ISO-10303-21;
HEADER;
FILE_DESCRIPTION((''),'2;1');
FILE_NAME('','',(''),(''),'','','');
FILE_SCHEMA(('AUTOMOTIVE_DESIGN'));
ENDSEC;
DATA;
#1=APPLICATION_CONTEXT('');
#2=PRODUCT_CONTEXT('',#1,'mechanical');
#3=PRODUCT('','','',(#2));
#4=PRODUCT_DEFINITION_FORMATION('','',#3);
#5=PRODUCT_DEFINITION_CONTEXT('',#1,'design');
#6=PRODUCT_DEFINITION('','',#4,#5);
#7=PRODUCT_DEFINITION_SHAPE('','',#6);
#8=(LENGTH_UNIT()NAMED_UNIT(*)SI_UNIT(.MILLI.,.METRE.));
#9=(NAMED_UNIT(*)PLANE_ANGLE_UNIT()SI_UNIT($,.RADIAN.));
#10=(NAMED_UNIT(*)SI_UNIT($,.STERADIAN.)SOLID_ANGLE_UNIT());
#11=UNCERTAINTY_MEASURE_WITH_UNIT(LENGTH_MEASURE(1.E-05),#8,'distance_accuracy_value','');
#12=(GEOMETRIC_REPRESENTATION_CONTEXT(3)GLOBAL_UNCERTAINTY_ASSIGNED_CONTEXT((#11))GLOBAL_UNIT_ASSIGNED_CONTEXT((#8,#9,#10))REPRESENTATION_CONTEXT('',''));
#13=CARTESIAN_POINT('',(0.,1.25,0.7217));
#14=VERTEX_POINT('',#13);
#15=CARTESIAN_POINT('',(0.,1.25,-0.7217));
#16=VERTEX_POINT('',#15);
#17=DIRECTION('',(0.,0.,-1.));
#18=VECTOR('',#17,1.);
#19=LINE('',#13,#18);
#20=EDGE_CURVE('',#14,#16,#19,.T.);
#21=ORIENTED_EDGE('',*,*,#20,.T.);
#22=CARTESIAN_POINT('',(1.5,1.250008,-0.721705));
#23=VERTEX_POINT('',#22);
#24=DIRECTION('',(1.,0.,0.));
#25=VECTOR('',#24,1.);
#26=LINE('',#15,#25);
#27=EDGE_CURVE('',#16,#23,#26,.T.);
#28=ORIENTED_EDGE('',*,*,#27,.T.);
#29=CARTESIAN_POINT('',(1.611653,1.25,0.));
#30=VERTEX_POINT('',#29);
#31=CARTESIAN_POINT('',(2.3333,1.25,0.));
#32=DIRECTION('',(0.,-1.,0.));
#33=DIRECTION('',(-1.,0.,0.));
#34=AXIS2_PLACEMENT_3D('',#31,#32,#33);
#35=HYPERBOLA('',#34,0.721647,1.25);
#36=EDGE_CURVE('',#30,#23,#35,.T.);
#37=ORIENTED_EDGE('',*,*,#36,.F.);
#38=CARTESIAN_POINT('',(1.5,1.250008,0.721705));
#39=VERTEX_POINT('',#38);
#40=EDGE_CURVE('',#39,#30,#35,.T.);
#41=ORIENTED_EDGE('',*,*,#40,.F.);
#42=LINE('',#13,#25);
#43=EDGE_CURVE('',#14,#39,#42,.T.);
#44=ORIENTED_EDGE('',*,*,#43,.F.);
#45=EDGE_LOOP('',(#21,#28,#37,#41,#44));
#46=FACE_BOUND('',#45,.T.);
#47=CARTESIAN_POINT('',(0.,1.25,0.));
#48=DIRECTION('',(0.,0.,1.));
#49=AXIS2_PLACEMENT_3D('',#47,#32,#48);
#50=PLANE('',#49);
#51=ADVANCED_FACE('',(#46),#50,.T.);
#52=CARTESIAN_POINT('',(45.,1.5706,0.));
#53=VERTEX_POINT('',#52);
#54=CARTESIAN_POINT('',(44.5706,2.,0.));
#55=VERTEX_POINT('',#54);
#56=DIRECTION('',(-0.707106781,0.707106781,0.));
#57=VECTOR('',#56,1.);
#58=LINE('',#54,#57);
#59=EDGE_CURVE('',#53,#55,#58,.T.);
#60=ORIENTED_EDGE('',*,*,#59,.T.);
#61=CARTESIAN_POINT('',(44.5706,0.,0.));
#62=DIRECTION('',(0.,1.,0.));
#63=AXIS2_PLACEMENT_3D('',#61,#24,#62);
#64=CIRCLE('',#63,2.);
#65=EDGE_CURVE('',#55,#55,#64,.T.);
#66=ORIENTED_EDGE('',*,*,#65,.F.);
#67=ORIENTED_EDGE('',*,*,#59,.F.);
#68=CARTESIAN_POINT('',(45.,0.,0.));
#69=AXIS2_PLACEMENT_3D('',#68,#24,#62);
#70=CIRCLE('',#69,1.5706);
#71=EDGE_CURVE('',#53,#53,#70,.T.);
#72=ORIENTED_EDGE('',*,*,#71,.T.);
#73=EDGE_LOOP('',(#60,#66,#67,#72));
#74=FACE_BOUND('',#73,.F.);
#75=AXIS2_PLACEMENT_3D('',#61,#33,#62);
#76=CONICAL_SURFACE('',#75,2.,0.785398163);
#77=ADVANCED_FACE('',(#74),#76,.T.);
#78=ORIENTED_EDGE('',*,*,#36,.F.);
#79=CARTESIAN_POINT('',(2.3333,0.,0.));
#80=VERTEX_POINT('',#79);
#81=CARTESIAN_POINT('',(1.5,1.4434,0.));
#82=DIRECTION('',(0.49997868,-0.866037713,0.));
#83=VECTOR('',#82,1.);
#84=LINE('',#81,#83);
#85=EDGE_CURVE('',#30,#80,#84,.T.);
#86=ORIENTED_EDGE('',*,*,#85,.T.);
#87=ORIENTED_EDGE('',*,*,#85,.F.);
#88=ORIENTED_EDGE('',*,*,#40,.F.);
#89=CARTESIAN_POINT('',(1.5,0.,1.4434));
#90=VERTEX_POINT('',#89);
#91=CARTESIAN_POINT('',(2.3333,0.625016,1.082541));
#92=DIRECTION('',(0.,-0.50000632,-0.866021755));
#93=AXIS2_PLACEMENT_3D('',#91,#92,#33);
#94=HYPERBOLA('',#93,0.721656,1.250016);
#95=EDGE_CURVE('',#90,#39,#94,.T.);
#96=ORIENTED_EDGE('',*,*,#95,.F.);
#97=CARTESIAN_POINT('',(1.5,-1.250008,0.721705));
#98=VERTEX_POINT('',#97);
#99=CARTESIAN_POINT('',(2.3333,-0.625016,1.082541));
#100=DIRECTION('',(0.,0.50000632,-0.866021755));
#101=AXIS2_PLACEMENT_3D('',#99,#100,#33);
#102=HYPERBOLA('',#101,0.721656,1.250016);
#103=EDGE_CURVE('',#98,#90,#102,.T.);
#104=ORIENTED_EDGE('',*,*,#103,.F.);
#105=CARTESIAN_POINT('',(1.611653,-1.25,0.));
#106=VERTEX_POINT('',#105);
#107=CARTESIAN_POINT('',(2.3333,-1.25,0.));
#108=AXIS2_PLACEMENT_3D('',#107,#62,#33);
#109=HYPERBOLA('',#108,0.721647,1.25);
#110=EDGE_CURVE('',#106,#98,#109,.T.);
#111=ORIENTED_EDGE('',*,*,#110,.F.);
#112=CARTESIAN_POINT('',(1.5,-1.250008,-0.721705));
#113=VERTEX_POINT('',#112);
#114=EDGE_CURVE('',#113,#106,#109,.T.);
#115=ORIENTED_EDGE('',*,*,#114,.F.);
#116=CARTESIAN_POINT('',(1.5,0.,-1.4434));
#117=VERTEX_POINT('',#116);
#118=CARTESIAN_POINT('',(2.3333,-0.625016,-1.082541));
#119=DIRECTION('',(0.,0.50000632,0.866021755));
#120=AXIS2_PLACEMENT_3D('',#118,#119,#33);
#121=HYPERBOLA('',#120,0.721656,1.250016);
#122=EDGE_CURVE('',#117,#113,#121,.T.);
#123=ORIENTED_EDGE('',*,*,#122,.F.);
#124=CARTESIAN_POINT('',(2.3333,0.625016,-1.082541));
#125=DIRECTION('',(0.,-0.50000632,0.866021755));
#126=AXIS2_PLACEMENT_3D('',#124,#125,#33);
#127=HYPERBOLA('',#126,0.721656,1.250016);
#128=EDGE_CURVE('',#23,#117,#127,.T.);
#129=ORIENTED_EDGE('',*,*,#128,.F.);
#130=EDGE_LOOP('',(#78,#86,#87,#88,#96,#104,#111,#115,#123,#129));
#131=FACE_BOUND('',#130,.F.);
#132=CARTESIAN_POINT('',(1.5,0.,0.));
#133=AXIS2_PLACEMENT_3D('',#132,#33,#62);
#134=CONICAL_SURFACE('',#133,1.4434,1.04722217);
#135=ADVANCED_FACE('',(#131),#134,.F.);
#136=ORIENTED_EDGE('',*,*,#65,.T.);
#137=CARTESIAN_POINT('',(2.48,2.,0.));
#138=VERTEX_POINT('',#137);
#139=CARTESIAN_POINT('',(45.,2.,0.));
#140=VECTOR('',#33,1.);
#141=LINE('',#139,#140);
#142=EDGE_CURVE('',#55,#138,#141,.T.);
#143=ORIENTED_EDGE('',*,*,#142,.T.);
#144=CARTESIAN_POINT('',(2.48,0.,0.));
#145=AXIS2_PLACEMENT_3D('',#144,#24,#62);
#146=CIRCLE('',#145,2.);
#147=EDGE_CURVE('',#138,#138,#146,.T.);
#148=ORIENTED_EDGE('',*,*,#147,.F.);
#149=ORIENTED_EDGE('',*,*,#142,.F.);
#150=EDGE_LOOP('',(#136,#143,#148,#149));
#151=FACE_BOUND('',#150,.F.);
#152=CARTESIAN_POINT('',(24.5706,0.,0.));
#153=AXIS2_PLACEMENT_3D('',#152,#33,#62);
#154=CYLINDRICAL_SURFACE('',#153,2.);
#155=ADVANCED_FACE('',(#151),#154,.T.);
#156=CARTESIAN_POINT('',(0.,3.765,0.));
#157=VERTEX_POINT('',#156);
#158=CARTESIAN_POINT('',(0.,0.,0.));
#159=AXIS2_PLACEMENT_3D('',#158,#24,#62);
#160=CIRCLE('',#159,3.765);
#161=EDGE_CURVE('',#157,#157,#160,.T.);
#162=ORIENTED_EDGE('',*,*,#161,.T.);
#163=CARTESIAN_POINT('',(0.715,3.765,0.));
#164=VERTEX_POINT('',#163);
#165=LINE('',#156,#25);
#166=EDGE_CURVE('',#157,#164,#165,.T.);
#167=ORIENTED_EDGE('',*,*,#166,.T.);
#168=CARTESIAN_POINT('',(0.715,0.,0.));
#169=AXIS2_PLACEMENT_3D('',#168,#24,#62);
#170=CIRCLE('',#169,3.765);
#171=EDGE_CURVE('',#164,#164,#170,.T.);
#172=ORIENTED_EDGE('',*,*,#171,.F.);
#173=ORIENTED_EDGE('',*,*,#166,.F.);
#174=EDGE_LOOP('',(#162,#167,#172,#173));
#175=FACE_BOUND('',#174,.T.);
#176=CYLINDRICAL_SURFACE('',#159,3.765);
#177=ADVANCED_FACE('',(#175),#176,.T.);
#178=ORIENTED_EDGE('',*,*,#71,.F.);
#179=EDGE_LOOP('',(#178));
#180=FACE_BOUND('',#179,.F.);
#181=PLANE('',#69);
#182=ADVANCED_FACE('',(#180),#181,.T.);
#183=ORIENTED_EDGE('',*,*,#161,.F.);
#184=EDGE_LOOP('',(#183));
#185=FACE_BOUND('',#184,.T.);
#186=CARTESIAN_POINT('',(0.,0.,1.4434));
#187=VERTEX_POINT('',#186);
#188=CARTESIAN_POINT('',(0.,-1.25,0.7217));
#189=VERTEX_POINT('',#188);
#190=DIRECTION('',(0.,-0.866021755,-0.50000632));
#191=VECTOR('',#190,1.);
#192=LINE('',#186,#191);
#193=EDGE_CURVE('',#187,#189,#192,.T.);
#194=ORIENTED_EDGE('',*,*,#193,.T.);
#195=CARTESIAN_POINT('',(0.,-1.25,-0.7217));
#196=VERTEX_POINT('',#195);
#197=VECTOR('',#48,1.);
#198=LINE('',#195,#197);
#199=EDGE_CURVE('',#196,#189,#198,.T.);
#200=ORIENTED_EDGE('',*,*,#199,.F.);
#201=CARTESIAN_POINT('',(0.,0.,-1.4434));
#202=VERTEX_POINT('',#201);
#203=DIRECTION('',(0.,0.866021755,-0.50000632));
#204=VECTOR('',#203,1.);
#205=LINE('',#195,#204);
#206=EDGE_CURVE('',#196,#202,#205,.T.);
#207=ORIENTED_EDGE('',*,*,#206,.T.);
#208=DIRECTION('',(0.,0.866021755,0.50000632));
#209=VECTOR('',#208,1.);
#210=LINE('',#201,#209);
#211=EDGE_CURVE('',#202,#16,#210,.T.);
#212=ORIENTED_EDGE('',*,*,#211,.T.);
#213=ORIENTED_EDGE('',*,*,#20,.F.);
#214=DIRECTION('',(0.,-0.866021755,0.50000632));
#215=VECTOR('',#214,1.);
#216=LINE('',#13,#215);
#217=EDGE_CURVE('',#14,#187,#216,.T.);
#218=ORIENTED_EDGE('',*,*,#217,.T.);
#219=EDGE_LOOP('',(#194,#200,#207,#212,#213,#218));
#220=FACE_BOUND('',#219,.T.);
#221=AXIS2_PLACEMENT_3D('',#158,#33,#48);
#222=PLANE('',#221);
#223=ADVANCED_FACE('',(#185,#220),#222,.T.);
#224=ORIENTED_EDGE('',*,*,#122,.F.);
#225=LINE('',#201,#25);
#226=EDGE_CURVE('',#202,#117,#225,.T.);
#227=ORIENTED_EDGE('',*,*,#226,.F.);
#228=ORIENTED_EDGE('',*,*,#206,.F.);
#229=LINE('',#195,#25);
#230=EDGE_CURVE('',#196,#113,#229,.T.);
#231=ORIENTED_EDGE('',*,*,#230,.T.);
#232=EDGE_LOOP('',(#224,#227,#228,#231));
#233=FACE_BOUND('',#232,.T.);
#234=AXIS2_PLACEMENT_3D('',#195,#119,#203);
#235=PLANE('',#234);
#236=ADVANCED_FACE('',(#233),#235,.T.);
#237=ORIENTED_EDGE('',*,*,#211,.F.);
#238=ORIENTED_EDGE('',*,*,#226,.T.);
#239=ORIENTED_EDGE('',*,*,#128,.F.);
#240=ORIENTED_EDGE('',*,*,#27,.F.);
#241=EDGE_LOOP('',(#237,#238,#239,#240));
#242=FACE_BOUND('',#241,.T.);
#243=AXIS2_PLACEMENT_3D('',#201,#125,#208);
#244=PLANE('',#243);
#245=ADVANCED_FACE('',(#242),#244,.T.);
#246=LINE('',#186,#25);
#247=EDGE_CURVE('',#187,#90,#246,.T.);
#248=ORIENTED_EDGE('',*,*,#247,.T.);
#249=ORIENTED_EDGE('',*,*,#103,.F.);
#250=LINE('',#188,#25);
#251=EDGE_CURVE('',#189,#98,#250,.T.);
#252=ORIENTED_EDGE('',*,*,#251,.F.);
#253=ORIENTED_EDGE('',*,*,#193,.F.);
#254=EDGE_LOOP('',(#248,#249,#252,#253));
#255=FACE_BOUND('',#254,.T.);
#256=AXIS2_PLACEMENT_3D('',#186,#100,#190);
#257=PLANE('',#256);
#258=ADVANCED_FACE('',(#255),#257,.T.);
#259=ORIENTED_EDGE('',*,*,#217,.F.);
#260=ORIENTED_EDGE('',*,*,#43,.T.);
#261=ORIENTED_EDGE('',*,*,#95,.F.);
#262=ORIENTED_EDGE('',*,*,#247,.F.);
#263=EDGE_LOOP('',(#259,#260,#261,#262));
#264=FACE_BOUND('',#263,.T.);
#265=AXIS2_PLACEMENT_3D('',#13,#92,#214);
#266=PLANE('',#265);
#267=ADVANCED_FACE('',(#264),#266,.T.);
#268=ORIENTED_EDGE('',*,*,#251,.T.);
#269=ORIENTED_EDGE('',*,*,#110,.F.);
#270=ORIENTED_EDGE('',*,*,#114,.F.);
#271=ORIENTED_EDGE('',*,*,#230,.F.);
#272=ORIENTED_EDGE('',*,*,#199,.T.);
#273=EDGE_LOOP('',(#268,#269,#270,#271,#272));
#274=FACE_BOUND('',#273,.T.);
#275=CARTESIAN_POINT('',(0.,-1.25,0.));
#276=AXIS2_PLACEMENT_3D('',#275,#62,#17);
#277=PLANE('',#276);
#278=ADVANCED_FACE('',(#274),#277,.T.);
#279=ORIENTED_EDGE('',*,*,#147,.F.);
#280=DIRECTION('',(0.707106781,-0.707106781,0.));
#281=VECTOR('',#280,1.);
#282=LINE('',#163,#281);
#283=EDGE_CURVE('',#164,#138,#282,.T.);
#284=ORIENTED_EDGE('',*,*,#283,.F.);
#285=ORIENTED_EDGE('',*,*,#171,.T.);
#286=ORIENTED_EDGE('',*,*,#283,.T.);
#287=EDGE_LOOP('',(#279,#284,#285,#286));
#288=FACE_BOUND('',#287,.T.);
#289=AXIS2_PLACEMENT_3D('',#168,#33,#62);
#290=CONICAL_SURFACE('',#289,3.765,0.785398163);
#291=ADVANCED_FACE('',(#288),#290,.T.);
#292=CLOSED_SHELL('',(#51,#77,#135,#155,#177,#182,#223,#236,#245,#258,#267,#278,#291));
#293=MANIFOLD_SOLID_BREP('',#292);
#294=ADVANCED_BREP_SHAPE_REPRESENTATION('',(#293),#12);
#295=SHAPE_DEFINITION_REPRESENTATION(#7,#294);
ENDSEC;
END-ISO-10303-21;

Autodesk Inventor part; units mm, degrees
ref_plane "YZ Plane" through (0, 0, 0) normal (1, 0, 0) x (0, 1, 0)
ref_plane "XZ Plane" through (0, 0, 0) normal (0, 1, 0) x (-1, 0, 0)
sketch "Sketch1" plane through (0, 0, 0) normal (0, 0, 1) x (1, 0, 0)
  line L0 (45, 0) -> (45, 2)
  line L1 (45, 2) -> (25, 2)
  line L2 (25, 2) -> (24.5706, 2)
  line L3 (0, 3.765) -> (0, 1.4434)
  line L4 (0, 1.4434) -> (1.5, 1.4434)
  line L5 (1.5, 1.4434) -> (2.3333, 0)
  line L6 (2.3333, 0) -> (45, 0)
  line L7 (0, 3.765) -> (0.715, 3.765)
  line L8 (0.715, 3.765) -> (2.48, 2)
  line L9 (24.5706, 2) -> (2.48, 2)
  line L10 (25, 2) -> (2.48, 2) construction
  line L11 (2.48, 2) -> (2.48, 2)
  line L12 (-8, 0) -> (48, 0) projected
  line L13 (0, -0.753) -> (0, 4.518) projected
  dimension "d0" = 45
  dimension "d1" = 20
  dimension "d2" = 1.5
  dimension "d3" = 4
  dimension "d6" = 2.48
  dimension "d7" = 45
  dimension "d8" = 2.8868
  dimension "d9" = 60
  dimension "d10" = 7.53
  dimension "d11" = 4
  dimension "d12" = 0.4294
revolve "Body" add sketch "Sketch1" angle 360 about axis through (2.3333, 0, 0) along (1, 0, 0) contours L6 L5 L4 L3 L7 L8 L9 L2 L1 L0
sketch "Sketch2" plane through (0, 0, 0) normal (-1, 0, 0) x (0, 0, 1)
  circle A0 centre (0, 0) radius 1.4434 projected
  line L0 (0, -5.271) -> (0, 5.271) projected
  line L1 (-5.271, 0) -> (5.271, 0) projected
  line L2 (1.4434, 0) -> (0.7217, -1.25)
  line L3 (0.7217, -1.25) -> (-0.7217, -1.25)
  line L4 (-0.7217, -1.25) -> (-1.4434, 0)
  line L5 (-1.4434, 0) -> (-0.7217, 1.25)
  line L6 (-0.7217, 1.25) -> (0.7217, 1.25)
  line L7 (0.7217, 1.25) -> (1.4434, 0)
  point P0 (0, 1.4434)
extrude "Slot" add sketch "Sketch2" against normal up to next contours L7 A0 | A0 L2 | L6 L0 A0 | A0 L0 L3 | L0 L6 A0 | A0 L3 L0 | L4 A0 | A0 L5
thread "Thread" size "M4x0.7" class "6g" standard "ISO Metric profile" length 20
chamfer "Chamfer1" distance 0.4294 distance2 0.4294 1 edges at (45, -2, 0) measured on face at (45, 0.5754, 0.7519)
ref_plane "Work Plane1" through (104.775, 0, 0) normal (0, 0, -1) x (1, 0, 0)
equation "\"d15\" = GEL"
equation "\"d17\" = -0.5 * SPD + 0.5 * GD"
equation "\"d18\" = GUL"
equation "\"d0\" = NLG"
equation "\"d1\" = GEL"
equation "\"d2\" = INTI"
equation "\"d3\" = GD"
equation "\"d6\" = KOH"
equation "\"d7\" = 0.5 * SEWI"
equation "\"d8\" = 1.1547 * SW"
equation "\"d10\" = KOD"
equation "\"d11\" = BDM"
equation "\"d12\" = GAL"
equation "\"NLG\" = 45"
equation "\"INTI\" = 1.5"
equation "\"GEL\" = 20"
equation "\"GAL\" = 0.61345 * PTC"
equation "\"KOH\" = 2.48"
equation "\"KOD\" = 7.53"
equation "\"GUL\" = 0.61345 * PTC"
equation "\"SPD\" = NND - 1.2269 * PTC"
equation "\"BDM\" = NND"
equation "\"GD\" = NND"
equation "\"SEWI\" = 90deg"
equation "\"SW\" = 2.5"
equation "\"TOA\" = 30deg"
equation "\"GD1\" = THREADDIA - 1.2269 * PTC"
equation "\"EPV\" = 4.48"
equation "\"THREADDIA\" = 4"
equation "\"PTC\" = 0.7"
equation "\"NND\" = 4"
equation "\"E0\" = 1.155 * SW"
properties part number "DIN 7991 - M4  x  40" material "Steel, Mild"
